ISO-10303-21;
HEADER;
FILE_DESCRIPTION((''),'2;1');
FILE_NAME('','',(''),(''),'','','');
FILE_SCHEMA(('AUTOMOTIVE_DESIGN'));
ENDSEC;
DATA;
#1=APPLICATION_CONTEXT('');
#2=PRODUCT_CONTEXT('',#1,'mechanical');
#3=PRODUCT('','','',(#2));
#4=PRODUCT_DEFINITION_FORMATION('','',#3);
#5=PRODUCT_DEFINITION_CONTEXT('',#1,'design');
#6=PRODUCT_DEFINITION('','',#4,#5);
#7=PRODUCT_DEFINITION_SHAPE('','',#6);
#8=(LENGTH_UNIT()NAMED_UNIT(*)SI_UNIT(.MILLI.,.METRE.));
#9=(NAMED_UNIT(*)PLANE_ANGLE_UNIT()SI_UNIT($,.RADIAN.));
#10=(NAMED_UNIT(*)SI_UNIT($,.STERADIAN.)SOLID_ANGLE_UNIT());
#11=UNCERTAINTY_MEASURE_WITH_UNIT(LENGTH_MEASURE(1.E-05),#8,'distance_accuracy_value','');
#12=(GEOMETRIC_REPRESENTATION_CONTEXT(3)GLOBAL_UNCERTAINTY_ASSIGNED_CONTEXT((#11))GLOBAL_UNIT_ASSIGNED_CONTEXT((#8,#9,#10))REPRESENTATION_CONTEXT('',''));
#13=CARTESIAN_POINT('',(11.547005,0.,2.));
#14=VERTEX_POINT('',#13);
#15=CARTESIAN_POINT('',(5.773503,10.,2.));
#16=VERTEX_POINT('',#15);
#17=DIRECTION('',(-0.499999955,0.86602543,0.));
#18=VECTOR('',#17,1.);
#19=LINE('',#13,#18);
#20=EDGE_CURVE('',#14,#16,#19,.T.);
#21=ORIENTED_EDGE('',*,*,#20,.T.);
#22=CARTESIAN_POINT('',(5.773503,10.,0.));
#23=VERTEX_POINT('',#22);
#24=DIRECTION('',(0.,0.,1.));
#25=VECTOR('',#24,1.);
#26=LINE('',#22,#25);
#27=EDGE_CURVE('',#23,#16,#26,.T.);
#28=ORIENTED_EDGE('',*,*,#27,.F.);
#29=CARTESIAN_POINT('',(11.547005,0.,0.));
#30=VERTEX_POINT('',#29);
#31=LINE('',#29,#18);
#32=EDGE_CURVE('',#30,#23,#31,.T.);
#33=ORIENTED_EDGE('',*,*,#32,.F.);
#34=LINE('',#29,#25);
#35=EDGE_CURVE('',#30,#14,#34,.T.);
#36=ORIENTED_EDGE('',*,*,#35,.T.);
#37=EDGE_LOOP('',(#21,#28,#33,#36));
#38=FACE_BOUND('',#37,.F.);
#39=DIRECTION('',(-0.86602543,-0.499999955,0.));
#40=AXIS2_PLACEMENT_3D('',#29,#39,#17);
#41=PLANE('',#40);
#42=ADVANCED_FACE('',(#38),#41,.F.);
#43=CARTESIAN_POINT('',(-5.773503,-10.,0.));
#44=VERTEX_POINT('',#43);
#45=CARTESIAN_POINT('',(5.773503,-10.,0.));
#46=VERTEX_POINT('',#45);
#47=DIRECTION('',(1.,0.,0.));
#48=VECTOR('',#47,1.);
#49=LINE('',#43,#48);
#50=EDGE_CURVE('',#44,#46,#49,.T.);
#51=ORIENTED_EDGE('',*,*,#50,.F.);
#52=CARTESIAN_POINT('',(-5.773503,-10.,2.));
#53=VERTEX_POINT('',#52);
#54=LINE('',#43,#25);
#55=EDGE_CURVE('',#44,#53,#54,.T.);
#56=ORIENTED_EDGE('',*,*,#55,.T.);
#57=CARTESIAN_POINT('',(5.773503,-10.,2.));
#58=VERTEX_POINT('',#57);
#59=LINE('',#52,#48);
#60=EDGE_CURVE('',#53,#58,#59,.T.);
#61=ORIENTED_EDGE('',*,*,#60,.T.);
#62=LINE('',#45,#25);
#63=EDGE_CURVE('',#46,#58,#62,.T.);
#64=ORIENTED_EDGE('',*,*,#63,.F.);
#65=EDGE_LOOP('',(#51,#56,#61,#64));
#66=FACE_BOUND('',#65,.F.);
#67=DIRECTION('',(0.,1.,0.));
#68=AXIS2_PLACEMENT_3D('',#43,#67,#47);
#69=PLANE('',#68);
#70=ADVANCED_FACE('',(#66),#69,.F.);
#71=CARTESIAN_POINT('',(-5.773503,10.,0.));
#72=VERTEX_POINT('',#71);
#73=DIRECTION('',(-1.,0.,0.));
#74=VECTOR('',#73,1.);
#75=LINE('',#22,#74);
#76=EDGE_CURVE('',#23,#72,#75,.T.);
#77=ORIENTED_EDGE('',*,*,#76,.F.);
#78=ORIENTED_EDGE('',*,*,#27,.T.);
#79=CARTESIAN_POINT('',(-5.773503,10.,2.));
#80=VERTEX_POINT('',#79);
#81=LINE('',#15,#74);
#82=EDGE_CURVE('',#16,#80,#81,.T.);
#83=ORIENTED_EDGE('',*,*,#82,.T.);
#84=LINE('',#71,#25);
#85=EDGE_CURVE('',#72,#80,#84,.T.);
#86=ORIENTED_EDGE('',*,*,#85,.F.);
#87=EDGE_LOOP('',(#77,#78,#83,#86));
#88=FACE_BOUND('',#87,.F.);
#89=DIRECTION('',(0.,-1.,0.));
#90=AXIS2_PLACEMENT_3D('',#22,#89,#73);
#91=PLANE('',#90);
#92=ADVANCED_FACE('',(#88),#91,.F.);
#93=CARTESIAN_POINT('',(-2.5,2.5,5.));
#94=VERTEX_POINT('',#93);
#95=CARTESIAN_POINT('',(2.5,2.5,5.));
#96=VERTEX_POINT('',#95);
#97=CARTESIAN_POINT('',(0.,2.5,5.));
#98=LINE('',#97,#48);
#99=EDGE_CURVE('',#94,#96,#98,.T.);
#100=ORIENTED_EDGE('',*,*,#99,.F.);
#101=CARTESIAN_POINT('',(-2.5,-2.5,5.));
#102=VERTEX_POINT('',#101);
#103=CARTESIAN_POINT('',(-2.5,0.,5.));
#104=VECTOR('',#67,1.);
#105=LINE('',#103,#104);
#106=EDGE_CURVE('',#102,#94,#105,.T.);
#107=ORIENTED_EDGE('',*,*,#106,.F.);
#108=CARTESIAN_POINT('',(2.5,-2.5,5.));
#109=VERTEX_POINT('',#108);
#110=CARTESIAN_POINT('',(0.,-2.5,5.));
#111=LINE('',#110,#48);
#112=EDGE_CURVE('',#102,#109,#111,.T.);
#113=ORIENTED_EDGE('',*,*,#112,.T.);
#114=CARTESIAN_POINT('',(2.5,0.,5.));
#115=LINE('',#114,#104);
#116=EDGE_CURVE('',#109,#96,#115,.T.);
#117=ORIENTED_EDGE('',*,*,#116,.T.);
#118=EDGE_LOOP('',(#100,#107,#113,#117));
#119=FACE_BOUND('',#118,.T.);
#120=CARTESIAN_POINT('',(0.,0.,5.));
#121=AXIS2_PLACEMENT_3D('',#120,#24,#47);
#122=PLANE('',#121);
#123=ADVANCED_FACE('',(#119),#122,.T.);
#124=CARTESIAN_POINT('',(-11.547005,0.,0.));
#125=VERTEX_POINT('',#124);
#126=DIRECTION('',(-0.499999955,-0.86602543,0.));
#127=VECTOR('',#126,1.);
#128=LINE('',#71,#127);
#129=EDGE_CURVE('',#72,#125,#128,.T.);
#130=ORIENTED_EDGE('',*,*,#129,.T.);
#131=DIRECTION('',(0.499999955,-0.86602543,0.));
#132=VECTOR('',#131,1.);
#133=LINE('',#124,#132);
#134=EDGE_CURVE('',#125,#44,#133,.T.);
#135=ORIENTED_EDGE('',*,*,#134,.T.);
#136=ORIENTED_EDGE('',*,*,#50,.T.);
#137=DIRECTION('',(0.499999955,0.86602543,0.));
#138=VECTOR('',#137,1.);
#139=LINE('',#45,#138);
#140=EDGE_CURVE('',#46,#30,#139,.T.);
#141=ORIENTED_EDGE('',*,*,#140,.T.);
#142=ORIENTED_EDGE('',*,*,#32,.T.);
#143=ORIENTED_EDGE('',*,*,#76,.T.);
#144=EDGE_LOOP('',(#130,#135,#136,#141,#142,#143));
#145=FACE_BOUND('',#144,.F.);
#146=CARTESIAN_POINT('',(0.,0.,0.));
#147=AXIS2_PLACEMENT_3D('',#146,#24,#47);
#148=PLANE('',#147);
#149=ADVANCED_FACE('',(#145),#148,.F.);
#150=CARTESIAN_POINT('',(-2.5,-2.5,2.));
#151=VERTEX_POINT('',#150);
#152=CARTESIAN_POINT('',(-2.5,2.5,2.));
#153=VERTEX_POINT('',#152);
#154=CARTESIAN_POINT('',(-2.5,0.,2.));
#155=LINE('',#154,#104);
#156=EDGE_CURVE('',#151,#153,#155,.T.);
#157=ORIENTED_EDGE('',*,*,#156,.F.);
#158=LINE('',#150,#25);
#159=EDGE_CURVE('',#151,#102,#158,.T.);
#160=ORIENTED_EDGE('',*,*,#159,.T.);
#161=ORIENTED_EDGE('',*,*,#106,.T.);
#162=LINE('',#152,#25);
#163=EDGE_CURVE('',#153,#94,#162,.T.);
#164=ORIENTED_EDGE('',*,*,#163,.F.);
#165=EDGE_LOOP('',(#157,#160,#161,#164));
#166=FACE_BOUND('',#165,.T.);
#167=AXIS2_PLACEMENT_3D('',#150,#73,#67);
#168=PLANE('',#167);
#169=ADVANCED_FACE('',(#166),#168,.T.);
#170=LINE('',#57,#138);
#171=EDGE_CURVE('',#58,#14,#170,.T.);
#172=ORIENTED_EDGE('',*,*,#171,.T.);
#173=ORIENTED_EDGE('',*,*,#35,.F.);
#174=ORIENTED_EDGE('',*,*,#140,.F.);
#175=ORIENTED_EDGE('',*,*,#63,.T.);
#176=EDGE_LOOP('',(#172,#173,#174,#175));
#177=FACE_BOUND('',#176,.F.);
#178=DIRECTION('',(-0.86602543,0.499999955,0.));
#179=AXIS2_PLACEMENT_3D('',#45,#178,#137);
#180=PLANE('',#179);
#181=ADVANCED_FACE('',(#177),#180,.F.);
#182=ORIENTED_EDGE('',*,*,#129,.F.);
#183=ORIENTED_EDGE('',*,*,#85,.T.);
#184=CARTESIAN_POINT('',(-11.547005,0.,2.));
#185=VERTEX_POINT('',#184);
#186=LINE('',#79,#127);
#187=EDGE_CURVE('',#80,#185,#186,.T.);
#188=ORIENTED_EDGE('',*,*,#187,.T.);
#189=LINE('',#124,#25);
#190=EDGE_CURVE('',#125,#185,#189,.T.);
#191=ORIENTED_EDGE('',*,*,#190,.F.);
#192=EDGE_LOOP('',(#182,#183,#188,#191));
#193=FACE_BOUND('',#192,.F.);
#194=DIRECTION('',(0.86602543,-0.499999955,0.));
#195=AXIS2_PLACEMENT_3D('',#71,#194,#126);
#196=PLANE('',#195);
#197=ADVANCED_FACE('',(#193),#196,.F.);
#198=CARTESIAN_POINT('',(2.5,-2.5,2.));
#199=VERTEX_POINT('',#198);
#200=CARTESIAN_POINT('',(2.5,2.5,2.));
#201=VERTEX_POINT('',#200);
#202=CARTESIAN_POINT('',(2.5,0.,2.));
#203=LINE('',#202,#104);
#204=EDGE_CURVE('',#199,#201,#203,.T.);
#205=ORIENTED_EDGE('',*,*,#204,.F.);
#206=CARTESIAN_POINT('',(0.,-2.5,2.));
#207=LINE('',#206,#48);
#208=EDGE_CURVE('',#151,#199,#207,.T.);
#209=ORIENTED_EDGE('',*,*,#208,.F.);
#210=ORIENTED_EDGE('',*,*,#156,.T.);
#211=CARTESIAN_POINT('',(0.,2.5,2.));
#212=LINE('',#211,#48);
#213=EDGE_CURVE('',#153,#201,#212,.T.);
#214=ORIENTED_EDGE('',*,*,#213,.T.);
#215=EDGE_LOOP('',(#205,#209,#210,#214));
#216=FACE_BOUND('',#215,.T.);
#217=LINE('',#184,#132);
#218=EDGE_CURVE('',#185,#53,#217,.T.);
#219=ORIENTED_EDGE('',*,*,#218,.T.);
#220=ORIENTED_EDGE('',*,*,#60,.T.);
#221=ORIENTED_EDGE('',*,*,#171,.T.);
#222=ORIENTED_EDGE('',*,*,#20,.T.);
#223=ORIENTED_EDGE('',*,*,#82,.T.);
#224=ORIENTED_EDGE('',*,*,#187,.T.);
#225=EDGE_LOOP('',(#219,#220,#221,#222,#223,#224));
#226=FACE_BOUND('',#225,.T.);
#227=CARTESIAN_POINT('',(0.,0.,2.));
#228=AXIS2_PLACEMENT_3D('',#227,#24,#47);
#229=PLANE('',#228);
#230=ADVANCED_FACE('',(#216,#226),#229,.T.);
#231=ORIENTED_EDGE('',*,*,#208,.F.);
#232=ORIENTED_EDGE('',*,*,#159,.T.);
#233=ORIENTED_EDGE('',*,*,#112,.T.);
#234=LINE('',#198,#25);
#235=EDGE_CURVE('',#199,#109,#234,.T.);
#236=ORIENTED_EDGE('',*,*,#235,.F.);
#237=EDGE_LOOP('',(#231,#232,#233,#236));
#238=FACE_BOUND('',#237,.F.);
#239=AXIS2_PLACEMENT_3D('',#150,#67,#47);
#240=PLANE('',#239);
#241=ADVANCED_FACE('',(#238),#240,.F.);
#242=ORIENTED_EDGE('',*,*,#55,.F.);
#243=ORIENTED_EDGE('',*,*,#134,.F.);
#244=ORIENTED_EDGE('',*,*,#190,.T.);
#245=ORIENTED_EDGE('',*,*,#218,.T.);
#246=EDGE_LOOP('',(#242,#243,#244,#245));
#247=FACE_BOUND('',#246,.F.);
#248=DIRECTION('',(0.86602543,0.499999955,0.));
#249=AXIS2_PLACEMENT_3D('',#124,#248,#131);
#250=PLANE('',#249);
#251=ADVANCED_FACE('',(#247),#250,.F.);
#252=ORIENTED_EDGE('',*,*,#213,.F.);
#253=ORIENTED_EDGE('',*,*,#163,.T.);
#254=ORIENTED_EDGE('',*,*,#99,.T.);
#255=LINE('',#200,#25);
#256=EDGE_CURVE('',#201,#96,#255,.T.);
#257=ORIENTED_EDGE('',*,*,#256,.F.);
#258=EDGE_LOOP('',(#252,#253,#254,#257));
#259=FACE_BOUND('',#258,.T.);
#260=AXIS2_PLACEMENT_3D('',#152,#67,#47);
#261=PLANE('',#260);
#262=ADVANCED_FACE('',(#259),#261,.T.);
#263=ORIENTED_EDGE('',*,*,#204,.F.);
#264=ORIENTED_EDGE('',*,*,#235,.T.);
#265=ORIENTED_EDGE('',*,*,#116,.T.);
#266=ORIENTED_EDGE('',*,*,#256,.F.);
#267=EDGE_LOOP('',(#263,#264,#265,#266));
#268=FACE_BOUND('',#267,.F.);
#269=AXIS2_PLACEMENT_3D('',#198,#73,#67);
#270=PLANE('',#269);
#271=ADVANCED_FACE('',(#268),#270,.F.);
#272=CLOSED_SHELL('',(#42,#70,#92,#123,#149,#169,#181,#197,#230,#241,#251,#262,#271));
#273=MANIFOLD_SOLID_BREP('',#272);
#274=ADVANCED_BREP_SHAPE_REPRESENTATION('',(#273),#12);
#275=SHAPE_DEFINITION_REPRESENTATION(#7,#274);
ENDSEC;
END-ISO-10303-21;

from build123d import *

# Parameters (mm, degrees)
F1_DEPTH = 2
F2_W     = 5
F2_H     = 5
F3_DEPTH = 3


with BuildPart() as f1:
    # F0 (on Top) → F1 (new body)
    with BuildSketch(Plane.XY):
        Polygon((5.773503, 10), (-5.773503, 10), (-11.547005, 0), (-5.773503, -10), (5.773503, -10), (11.547005, 0), align=None)
    extrude(amount=F1_DEPTH)

    # F2 (on face) → F3 (join)
    with BuildSketch(Plane.XY.offset(2)):
        Rectangle(F2_W, F2_H)
    extrude(amount=F3_DEPTH)


solid = f1.part
